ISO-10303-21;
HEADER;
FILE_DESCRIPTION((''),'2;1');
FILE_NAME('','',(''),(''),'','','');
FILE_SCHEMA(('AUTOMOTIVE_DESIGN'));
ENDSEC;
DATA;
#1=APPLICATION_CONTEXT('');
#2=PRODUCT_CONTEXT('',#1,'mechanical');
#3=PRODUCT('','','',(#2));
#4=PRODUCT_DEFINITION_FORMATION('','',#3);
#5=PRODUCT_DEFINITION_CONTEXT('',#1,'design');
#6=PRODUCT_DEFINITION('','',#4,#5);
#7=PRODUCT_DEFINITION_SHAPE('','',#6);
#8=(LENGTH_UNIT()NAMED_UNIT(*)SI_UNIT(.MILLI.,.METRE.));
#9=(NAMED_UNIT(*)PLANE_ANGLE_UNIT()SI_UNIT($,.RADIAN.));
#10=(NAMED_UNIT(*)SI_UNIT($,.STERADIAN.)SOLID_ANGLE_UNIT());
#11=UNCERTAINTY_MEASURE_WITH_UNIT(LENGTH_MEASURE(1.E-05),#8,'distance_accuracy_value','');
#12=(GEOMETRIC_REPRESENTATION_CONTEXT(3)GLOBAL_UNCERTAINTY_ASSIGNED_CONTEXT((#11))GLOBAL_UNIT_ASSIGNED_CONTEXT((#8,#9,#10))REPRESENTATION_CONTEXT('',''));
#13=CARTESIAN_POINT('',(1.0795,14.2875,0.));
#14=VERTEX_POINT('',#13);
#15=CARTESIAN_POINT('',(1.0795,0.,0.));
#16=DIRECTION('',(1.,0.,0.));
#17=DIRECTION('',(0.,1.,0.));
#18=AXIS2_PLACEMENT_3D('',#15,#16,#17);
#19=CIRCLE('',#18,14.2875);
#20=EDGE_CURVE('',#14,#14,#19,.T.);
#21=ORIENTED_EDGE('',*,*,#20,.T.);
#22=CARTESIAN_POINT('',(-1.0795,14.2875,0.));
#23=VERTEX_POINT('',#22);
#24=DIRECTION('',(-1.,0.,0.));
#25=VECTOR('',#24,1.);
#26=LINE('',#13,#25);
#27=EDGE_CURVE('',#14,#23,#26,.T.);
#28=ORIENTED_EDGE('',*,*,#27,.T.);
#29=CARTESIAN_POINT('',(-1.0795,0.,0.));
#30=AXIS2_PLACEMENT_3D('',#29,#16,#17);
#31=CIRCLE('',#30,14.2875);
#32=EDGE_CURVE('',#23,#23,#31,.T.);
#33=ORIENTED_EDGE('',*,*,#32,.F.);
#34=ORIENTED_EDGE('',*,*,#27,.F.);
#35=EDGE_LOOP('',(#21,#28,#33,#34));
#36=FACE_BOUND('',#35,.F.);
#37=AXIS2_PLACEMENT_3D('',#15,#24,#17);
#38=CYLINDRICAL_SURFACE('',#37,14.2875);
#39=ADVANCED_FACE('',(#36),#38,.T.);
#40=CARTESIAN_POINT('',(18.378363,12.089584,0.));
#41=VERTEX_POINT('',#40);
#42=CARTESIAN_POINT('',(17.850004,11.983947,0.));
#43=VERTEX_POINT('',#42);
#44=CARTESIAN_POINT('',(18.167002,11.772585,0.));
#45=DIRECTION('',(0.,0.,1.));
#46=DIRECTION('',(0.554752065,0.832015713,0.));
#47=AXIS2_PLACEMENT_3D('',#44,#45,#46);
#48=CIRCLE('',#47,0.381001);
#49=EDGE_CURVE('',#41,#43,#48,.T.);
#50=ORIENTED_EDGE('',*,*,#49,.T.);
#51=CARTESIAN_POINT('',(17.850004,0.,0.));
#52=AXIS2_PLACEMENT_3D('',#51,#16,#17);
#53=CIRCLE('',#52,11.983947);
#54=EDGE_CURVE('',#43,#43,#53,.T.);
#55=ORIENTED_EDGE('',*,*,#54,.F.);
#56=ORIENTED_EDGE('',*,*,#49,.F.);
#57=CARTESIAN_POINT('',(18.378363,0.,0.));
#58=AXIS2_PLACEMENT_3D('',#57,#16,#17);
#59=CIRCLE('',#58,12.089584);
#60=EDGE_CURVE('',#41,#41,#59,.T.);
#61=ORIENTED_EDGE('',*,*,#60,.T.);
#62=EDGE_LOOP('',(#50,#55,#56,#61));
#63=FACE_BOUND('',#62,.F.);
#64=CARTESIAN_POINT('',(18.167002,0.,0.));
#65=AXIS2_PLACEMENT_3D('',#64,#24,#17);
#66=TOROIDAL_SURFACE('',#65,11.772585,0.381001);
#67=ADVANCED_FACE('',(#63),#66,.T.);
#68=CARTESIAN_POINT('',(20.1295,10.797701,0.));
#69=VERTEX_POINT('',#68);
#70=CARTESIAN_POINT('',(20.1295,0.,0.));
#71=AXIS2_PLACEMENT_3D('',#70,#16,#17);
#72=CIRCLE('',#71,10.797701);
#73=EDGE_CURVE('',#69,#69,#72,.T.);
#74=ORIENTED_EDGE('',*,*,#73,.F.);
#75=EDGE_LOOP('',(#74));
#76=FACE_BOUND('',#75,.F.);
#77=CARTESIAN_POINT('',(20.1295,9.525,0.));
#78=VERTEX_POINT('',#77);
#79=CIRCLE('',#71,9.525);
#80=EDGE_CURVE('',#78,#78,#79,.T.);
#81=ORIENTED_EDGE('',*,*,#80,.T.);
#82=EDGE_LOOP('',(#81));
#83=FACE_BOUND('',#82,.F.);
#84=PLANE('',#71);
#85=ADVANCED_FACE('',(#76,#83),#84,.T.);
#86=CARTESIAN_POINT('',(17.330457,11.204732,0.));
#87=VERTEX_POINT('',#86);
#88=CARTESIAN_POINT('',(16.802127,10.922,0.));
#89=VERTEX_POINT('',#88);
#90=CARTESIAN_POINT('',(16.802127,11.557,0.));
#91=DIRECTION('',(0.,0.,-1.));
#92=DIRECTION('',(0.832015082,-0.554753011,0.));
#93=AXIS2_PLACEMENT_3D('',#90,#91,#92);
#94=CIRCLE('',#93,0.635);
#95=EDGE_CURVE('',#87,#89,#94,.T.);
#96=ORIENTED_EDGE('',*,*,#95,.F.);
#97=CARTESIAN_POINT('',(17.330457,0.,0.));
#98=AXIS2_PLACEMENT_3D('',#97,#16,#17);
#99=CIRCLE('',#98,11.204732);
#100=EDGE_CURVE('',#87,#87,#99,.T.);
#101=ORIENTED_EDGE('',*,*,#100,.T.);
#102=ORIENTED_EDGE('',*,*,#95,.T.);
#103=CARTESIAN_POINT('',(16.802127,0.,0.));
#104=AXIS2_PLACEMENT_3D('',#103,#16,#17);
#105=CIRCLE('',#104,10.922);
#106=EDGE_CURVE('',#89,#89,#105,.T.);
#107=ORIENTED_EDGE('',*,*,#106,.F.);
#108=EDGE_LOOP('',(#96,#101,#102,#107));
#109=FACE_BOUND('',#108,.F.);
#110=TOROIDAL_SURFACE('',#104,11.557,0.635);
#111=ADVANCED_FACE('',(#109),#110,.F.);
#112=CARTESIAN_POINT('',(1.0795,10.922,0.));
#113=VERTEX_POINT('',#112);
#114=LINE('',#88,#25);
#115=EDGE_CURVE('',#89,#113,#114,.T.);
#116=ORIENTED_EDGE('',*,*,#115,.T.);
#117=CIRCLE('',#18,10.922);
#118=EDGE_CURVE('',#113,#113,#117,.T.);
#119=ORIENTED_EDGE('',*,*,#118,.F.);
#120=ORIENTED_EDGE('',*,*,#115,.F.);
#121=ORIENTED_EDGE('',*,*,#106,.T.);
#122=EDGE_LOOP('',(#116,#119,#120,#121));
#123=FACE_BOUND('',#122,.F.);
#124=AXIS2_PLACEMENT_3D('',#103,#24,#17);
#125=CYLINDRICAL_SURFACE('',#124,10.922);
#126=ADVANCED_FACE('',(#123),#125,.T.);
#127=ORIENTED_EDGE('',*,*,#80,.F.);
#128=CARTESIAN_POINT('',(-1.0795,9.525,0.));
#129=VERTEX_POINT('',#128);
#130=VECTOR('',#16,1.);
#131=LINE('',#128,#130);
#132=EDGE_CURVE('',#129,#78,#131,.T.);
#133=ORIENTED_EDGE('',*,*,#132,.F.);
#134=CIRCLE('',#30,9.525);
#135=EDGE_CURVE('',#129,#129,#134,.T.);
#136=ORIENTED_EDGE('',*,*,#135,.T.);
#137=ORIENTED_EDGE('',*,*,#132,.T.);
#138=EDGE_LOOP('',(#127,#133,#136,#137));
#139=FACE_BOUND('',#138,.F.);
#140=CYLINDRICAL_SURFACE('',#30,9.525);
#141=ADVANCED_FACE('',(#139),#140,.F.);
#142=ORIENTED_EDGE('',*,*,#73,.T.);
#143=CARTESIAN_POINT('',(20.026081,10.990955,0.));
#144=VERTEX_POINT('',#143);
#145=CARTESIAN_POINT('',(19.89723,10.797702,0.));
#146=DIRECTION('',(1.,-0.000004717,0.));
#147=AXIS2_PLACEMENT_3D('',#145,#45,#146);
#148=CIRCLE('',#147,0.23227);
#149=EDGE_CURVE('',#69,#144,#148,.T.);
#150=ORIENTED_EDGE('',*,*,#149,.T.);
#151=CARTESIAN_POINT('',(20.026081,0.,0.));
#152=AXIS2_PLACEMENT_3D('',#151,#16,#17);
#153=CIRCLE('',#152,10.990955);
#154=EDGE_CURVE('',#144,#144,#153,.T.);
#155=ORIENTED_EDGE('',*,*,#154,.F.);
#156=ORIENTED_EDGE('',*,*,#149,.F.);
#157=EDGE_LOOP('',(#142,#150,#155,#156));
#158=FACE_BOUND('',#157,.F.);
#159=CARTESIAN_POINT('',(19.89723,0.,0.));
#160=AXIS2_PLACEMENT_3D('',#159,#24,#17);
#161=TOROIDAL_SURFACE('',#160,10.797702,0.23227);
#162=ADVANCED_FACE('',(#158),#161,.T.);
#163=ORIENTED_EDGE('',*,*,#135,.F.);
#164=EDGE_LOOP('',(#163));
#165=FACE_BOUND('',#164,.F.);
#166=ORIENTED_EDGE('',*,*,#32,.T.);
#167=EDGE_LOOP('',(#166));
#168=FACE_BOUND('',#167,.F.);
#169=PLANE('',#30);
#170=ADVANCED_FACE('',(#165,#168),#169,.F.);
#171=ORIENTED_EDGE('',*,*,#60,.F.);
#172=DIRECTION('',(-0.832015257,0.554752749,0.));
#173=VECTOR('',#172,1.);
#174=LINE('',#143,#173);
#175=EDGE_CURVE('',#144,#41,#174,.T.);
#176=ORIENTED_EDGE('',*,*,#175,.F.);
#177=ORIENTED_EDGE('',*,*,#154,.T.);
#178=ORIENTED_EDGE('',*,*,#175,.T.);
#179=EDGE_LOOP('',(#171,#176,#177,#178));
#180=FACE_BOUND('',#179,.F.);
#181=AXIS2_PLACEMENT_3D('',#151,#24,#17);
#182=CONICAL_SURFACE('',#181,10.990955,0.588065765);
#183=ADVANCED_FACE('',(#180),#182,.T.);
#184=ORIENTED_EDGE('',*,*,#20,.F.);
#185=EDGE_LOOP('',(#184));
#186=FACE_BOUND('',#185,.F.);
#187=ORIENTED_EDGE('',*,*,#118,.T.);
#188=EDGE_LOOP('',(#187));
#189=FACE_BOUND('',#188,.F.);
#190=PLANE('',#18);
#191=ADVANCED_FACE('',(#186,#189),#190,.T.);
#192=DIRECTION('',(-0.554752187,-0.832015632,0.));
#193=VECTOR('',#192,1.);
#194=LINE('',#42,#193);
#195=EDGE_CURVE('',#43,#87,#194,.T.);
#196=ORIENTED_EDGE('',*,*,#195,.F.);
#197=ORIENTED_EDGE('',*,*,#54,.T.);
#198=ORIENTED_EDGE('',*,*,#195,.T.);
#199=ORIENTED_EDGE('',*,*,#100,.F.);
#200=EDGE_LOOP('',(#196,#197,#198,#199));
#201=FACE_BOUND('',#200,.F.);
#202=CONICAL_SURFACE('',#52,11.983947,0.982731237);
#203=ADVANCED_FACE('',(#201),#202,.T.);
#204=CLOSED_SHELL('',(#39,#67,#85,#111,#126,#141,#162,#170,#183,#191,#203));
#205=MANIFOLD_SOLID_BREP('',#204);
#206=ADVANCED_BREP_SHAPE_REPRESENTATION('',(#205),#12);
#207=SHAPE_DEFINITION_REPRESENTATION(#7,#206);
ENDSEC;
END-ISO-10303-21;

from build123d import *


with BuildPart() as f1:
    # F0 (on Top) → F1 (revolve)
    with BuildSketch(Plane.XY):
        with BuildLine():
            Line((1.0795, 14.2875), (-1.0795, 14.2875))
            Line((-1.0795, 14.2875), (-1.0795, 9.525))
            Line((-1.0795, 9.525), (1.0795, 9.525))
            Line((1.0795, 9.525), (20.1295, 9.525))
            Line((20.1295, 9.525), (20.1295, 10.797701))
            ThreePointArc((20.1295, 10.797701), (20.10202, 10.907294), (20.026081, 10.990955))
            Line((20.026081, 10.990955), (18.378363, 12.089584))
            ThreePointArc((18.378363, 12.089584), (18.092305, 12.146192), (17.850004, 11.983947))
            Line((17.850004, 11.983947), (17.330457, 11.204732))
            ThreePointArc((17.330457, 11.204732), (17.101739, 10.997127), (16.802127, 10.922))
            Line((16.802127, 10.922), (1.0795, 10.922))
            Line((1.0795, 10.922), (1.0795, 14.2875))
        make_face()
    revolve(axis=Axis((9.354087, 0, 0), (1, 0, 0)))


solid = f1.part
